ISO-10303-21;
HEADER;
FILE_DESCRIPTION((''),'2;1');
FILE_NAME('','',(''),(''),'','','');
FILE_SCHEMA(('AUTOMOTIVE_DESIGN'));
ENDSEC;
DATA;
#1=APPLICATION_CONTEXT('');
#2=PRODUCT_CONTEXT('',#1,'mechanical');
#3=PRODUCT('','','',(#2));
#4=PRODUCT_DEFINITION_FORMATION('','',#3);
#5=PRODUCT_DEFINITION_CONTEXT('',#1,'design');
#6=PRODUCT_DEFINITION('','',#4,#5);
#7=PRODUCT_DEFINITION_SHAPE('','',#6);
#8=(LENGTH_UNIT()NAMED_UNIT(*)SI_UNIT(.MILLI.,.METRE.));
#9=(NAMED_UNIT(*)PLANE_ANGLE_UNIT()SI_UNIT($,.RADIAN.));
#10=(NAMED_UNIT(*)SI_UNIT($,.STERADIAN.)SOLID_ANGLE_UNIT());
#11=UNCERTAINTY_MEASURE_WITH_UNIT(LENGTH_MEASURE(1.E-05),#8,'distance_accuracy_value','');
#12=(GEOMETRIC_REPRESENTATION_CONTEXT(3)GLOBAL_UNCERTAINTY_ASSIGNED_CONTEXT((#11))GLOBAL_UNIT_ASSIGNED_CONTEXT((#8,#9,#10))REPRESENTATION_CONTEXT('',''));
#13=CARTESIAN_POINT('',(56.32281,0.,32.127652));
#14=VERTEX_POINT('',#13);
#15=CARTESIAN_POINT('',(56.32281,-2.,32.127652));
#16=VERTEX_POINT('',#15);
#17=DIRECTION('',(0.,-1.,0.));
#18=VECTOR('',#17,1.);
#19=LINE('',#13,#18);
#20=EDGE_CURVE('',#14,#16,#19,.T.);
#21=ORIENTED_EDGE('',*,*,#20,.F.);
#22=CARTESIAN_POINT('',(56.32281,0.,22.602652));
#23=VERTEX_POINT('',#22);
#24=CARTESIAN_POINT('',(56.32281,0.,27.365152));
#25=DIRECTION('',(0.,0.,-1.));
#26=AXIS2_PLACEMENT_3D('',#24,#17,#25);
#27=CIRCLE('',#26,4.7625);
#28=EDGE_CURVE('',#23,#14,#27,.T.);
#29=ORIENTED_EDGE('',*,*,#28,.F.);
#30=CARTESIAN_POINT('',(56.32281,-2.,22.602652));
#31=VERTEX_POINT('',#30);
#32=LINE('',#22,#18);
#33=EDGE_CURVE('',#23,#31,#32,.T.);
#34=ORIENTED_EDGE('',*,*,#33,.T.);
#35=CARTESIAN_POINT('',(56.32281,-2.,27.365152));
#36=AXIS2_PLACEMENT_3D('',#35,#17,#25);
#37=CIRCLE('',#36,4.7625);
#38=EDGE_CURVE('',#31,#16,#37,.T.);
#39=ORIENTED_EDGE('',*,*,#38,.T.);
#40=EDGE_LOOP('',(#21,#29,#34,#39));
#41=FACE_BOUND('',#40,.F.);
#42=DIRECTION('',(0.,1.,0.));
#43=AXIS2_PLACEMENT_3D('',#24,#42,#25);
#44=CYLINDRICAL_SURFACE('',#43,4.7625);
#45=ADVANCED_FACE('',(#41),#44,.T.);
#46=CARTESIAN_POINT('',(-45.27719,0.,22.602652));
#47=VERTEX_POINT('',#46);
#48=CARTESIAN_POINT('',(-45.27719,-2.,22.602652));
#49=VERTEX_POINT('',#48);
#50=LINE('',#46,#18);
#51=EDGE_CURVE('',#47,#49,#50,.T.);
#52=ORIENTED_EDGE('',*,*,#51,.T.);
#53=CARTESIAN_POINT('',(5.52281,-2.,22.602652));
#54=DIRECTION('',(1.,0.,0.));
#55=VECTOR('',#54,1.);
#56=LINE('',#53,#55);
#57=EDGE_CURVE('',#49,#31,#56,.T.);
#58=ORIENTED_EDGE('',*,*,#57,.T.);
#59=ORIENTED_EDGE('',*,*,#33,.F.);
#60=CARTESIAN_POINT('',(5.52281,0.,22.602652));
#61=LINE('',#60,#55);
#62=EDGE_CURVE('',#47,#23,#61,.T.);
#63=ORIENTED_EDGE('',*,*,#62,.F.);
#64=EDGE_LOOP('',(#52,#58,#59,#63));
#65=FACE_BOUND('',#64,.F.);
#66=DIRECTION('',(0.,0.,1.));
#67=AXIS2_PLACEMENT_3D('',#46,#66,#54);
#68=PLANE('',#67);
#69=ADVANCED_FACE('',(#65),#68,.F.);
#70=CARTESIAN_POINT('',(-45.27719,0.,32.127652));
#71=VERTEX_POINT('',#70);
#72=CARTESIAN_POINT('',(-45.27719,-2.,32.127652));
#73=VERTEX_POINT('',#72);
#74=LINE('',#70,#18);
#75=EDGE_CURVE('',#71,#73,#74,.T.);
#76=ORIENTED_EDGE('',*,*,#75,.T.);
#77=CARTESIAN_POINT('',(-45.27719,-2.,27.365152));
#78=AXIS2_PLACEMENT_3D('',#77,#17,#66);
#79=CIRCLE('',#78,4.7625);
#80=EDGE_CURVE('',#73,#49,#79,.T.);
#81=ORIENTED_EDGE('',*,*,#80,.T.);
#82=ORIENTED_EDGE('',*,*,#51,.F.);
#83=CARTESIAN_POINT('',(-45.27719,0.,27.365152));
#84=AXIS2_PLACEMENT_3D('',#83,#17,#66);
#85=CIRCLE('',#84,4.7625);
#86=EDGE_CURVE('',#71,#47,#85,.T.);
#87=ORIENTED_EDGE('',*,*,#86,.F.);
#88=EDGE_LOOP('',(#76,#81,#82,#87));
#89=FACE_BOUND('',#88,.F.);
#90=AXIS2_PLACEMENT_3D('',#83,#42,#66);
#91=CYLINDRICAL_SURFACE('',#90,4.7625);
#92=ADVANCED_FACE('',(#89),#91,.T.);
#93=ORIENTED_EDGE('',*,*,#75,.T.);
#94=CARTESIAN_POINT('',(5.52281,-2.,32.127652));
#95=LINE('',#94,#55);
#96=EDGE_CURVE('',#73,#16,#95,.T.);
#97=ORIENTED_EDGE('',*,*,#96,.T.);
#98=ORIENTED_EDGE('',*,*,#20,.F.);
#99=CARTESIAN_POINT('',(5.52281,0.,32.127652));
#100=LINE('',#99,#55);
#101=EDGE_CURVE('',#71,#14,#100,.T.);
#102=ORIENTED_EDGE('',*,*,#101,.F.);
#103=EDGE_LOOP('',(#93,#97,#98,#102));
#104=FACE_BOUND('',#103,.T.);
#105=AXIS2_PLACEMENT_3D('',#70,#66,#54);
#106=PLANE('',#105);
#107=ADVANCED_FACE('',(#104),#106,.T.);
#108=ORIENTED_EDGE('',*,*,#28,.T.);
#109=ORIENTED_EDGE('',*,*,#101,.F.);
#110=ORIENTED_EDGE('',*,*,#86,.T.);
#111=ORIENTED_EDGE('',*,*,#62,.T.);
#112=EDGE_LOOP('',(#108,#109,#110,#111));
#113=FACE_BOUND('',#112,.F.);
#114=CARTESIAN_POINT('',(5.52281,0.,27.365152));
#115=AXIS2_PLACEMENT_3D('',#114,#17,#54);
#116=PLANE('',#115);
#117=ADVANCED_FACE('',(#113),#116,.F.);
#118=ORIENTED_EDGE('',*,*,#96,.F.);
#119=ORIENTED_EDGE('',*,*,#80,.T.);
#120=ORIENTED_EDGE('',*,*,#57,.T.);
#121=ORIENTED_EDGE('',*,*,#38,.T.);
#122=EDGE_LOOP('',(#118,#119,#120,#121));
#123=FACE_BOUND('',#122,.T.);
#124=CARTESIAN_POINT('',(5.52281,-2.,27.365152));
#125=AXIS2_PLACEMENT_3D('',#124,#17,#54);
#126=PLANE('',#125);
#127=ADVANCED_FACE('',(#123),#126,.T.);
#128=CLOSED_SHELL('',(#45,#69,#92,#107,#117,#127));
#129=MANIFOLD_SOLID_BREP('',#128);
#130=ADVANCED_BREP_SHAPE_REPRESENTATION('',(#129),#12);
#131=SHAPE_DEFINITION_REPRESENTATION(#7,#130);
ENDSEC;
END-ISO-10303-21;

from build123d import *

# Parameters (mm, degrees)
F0_W     = 101.6
F0_H     = 9.525
F1_DEPTH = 2


with BuildPart() as f1:
    # F0 (on Front) → F1 (new body)
    with BuildSketch(Plane.XZ):
        with Locations((5.52281, 27.365152)):
            Rectangle(F0_W, F0_H)
        with BuildLine():
            Line((-45.27719, 22.602652), (-45.27719, 32.127652))
            ThreePointArc((-45.27719, 32.127652), (-50.03969, 27.365152), (-45.27719, 22.602652))
        make_face()
        with BuildLine():
            ThreePointArc((56.32281, 22.602652), (61.08531, 27.365152), (56.32281, 32.127652))
            Line((56.32281, 32.127652), (56.32281, 22.602652))
        make_face()
    extrude(amount=F1_DEPTH)


solid = f1.part
